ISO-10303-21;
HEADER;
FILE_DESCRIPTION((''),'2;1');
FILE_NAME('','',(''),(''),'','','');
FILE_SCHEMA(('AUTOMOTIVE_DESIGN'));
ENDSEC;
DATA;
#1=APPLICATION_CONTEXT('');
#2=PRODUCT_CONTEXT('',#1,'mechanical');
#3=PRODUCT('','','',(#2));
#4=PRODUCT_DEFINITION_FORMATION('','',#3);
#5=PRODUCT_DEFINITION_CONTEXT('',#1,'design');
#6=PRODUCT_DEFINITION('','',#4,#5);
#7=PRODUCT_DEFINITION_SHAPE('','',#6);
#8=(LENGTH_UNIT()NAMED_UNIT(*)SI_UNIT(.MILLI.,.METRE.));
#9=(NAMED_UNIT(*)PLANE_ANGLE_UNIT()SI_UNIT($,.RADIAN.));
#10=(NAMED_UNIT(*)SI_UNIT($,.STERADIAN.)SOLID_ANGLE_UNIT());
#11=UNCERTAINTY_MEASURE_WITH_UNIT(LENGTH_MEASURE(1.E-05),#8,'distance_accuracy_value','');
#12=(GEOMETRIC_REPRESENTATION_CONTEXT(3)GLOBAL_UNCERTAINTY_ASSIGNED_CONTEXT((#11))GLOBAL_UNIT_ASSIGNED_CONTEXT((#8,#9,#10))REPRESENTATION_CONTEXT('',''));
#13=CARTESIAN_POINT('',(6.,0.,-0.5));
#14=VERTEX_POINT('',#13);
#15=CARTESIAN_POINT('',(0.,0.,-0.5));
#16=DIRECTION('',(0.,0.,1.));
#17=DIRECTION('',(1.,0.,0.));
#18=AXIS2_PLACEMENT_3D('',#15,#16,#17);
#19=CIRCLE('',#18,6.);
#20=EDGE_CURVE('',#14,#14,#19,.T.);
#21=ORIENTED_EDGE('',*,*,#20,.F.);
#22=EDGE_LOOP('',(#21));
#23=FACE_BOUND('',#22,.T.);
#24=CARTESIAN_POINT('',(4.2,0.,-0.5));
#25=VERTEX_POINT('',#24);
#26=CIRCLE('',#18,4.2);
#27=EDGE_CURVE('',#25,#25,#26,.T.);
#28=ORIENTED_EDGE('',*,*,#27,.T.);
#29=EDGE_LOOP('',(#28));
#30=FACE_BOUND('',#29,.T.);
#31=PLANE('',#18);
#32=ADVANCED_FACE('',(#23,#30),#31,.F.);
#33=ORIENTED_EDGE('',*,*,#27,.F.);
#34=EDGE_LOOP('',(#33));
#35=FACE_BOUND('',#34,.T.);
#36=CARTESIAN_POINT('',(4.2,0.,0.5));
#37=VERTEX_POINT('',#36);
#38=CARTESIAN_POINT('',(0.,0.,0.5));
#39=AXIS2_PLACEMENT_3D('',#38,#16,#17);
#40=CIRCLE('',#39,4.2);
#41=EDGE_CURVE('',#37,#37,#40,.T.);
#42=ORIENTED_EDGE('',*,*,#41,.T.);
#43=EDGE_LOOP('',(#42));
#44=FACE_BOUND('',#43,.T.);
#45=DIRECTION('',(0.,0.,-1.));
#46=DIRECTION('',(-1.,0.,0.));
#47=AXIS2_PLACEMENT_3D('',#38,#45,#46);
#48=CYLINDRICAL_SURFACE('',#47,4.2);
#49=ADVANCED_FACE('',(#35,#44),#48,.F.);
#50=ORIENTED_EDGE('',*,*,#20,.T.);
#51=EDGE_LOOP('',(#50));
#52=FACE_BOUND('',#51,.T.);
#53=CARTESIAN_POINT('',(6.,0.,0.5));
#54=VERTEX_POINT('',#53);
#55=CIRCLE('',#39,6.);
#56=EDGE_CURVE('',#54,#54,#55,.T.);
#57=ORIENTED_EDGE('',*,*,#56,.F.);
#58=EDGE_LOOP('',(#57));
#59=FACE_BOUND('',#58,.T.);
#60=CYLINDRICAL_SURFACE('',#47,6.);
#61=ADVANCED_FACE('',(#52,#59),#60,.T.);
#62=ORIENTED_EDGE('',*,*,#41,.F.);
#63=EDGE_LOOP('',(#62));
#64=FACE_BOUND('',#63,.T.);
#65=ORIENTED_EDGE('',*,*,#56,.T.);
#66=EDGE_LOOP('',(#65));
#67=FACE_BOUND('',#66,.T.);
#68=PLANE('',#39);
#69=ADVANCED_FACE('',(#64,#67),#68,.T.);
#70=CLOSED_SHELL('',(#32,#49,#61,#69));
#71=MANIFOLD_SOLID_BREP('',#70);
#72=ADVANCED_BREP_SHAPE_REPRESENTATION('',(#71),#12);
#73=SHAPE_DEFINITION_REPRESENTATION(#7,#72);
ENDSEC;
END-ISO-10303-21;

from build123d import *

# Parameters (mm, degrees)
ESQUISSE1_R      = 6
ESQUISSE1_R_2    = 4.2
EXTRUSION1_DEPTH = 0.5


with BuildPart() as part:
    # Esquisse1 → Extrusion1 (new body, symmetric)
    with BuildSketch(Plane.XY):
        Circle(ESQUISSE1_R)
        Circle(ESQUISSE1_R_2, mode=Mode.SUBTRACT)
    extrude(amount=EXTRUSION1_DEPTH, both=True)


solid = part.part
